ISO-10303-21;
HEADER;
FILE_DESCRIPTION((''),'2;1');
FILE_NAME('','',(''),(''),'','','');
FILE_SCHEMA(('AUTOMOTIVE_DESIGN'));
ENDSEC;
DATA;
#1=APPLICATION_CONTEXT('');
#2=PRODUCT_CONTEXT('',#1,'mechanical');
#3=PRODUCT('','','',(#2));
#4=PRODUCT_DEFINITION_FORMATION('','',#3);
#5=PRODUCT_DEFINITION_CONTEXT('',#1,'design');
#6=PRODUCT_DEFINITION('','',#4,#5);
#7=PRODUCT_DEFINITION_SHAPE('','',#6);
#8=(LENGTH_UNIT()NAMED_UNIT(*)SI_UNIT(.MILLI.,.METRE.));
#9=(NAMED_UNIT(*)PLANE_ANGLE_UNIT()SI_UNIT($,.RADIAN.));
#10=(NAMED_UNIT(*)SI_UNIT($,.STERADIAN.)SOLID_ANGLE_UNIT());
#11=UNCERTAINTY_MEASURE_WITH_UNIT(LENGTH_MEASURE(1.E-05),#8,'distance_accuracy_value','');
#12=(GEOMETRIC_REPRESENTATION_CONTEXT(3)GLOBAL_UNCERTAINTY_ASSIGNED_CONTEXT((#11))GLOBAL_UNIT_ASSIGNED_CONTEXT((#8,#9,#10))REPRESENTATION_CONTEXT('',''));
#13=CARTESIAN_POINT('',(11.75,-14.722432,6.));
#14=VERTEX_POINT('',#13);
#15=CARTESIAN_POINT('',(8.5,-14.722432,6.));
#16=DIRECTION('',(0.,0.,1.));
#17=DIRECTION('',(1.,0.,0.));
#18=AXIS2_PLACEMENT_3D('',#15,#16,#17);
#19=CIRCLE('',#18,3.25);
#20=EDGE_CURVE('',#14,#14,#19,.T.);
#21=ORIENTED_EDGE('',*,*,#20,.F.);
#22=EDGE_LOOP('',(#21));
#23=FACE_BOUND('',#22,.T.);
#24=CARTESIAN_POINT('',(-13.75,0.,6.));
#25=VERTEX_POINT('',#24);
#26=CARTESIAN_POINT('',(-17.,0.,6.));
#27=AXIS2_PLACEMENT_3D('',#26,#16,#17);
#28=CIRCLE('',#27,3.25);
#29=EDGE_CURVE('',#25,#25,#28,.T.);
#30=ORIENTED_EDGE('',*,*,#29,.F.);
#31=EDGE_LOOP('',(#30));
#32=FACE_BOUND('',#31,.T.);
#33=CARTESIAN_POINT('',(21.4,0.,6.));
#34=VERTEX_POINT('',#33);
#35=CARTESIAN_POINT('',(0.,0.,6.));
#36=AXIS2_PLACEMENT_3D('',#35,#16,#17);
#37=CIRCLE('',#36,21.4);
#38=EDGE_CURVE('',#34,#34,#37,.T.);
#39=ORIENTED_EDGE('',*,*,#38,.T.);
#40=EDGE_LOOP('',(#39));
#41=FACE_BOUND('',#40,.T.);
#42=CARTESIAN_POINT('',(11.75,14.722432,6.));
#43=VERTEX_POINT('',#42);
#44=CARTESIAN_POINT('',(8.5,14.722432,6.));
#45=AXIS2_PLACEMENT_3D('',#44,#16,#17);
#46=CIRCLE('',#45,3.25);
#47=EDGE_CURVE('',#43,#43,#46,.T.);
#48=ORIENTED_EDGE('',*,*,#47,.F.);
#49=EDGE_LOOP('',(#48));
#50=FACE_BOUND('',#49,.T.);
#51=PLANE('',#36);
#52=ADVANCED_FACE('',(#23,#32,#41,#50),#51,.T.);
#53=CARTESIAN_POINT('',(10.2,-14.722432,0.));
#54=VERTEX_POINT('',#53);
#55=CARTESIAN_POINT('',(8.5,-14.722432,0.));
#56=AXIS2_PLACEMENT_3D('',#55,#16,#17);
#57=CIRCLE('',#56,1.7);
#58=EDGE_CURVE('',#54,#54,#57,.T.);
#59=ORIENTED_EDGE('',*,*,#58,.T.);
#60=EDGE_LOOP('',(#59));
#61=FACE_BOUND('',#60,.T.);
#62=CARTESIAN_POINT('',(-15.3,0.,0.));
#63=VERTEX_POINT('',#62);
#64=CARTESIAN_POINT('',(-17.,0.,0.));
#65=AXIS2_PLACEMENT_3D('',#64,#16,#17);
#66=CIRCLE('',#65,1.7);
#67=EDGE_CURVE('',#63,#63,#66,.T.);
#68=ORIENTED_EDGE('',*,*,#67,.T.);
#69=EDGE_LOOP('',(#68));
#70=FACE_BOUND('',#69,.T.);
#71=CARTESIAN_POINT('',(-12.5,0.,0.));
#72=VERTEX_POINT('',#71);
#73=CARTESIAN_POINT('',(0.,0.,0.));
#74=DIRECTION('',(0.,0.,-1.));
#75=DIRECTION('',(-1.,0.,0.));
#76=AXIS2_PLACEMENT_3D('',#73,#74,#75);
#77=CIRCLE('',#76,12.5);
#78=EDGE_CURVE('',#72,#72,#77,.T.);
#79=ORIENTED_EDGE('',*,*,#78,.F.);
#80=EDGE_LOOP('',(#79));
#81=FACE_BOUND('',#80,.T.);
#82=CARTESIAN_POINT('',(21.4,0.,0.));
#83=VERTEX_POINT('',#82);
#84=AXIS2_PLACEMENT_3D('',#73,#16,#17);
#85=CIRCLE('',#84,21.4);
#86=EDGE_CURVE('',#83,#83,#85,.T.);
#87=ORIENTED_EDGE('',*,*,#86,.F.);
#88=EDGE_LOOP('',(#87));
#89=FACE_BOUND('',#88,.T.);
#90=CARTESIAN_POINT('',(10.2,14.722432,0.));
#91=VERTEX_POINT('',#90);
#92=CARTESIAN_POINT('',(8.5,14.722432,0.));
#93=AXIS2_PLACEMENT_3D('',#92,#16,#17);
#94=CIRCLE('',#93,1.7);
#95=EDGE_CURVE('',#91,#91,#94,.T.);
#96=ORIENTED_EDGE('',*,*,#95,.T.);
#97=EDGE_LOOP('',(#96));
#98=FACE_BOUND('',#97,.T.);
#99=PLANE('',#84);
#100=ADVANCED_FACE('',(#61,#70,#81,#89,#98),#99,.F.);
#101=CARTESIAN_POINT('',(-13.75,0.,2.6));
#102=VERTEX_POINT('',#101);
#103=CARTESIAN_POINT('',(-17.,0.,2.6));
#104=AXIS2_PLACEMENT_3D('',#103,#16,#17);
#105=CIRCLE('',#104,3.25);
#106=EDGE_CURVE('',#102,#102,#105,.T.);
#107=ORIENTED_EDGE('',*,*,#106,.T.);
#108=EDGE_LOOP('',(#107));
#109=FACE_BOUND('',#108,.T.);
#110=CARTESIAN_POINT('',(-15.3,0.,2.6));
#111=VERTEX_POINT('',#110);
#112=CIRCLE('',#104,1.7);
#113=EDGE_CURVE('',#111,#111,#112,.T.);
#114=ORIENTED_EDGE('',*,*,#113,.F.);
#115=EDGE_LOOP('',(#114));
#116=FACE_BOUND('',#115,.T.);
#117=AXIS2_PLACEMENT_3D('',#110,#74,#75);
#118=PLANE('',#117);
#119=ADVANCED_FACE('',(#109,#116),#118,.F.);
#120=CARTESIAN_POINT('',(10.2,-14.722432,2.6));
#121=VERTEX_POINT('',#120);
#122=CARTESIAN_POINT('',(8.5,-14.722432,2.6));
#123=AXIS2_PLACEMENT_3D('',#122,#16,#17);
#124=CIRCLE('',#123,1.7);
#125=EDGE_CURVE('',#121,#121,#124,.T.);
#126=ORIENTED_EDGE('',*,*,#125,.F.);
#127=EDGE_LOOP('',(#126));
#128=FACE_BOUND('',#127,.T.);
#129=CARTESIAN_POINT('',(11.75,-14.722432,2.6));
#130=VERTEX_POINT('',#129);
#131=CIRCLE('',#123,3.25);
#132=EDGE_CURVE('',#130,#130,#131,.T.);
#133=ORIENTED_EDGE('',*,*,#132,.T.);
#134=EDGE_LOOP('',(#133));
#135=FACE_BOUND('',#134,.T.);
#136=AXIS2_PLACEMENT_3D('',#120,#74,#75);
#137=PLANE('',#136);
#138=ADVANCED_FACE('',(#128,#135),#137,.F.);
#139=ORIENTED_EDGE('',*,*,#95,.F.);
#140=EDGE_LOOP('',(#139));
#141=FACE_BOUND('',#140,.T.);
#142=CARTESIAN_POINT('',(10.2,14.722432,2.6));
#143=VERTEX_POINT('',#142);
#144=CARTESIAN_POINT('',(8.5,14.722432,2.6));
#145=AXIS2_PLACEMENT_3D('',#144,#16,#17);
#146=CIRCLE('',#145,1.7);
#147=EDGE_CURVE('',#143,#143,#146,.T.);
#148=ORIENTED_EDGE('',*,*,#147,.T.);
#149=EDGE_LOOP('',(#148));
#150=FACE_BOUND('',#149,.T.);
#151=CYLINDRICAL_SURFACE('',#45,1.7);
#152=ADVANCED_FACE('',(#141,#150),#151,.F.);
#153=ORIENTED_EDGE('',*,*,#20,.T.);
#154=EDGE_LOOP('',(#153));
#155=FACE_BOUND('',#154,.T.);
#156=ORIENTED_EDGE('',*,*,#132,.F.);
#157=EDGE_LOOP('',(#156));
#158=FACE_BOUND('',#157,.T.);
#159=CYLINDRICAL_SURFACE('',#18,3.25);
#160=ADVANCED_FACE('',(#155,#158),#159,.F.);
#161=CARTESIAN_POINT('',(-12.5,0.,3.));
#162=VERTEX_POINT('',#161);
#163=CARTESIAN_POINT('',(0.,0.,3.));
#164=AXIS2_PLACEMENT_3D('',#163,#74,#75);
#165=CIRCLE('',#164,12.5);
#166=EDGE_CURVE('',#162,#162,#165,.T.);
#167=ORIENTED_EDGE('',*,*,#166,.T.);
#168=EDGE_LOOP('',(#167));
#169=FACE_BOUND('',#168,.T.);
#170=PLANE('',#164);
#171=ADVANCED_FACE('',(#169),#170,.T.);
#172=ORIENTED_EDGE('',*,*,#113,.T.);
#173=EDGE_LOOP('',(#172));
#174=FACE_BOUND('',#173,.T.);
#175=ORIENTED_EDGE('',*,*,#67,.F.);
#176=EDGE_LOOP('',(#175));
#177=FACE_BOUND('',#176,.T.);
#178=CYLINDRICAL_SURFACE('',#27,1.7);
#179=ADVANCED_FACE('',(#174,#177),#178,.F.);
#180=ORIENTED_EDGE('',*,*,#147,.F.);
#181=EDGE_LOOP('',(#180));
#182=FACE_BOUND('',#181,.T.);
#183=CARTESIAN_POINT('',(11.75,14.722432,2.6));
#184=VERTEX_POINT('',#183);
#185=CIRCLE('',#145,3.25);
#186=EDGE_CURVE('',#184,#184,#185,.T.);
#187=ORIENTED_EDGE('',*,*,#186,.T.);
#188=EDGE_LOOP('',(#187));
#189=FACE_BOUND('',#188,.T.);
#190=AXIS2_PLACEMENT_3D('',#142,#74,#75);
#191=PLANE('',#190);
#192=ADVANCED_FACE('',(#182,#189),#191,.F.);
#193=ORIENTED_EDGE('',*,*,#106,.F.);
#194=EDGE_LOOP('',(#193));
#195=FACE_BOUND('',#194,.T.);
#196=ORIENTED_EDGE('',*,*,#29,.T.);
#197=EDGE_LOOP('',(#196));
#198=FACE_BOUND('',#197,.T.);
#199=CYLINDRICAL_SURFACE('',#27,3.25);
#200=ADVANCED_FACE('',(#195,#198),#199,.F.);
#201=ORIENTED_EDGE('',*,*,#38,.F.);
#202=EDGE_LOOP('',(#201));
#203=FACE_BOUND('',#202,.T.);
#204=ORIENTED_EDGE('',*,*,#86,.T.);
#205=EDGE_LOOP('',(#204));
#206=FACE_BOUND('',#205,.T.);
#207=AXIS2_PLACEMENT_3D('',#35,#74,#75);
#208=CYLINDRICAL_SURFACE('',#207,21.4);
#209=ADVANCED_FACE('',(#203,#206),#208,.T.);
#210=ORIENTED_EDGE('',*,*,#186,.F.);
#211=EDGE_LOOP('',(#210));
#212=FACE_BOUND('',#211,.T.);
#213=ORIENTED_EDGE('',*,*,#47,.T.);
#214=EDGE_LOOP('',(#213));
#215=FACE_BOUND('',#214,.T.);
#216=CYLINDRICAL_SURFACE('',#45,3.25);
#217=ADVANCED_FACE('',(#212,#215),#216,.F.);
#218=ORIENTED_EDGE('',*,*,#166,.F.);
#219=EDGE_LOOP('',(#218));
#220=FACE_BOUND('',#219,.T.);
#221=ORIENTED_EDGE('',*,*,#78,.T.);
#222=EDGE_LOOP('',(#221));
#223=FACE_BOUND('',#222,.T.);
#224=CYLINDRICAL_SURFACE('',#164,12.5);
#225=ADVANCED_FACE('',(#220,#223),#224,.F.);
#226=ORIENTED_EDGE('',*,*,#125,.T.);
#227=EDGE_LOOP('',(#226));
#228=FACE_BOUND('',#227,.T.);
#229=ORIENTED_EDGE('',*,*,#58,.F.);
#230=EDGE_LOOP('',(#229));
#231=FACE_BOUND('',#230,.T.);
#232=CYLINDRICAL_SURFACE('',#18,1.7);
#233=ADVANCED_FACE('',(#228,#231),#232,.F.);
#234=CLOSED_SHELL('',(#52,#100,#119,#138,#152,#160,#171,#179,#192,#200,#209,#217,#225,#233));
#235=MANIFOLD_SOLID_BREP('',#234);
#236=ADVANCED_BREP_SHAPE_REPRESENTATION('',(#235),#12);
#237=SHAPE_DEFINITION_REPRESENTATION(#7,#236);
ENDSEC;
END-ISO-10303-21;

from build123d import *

# Parameters (mm, degrees)
ESQUISSE1_R                                        = 21.4
BOSS_EXTRU_1_DEPTH                                 = 6
ESQUISSE2_R                                        = 12.5
ENL_V_MAT_EXTRU_1_DEPTH                            = 3
CHAMBRAGE_POUR_VIS_T_TE_HEXAGONALE_M31_D           = 3.4
CHAMBRAGE_POUR_VIS_T_TE_HEXAGONALE_M31_DEPTH       = 8
CHAMBRAGE_POUR_VIS_T_TE_HEXAGONALE_M31_CBORE_D     = 6.5
CHAMBRAGE_POUR_VIS_T_TE_HEXAGONALE_M31_CBORE_DEPTH = 3.4
CHAMBRAGE_POUR_VIS_T_TE_HEXAGONALE_M31_TIP         = 1.021463052


with BuildPart() as part:
    # Esquisse1 → Boss.-Extru.1 (new body)
    with BuildSketch(Plane.XY):
        Circle(ESQUISSE1_R)
    extrude(amount=BOSS_EXTRU_1_DEPTH)

    # Esquisse2 → Enlèv. mat.-Extru.1 (cut)
    with BuildSketch(Plane(origin=(0, 0, 0), x_dir=(-1, 0, 0), z_dir=(0, 0, -1))):
        Circle(ESQUISSE2_R)
    extrude(amount=-ENL_V_MAT_EXTRU_1_DEPTH, mode=Mode.SUBTRACT)

    # Chambrage pour vis à tête hexagonale M31
    with Locations(Plane.XY.offset(6)):
        with Locations((-17, 0), (8.5, 14.722431864), (8.5, -14.722431864)):
            CounterBoreHole(CHAMBRAGE_POUR_VIS_T_TE_HEXAGONALE_M31_D / 2, CHAMBRAGE_POUR_VIS_T_TE_HEXAGONALE_M31_CBORE_D / 2, CHAMBRAGE_POUR_VIS_T_TE_HEXAGONALE_M31_CBORE_DEPTH, depth=CHAMBRAGE_POUR_VIS_T_TE_HEXAGONALE_M31_DEPTH)
            with Locations((0, 0, -(CHAMBRAGE_POUR_VIS_T_TE_HEXAGONALE_M31_DEPTH + CHAMBRAGE_POUR_VIS_T_TE_HEXAGONALE_M31_TIP / 2))):  # 118° drill point
                Cone(0, CHAMBRAGE_POUR_VIS_T_TE_HEXAGONALE_M31_D / 2, CHAMBRAGE_POUR_VIS_T_TE_HEXAGONALE_M31_TIP, mode=Mode.SUBTRACT)


solid = part.part
